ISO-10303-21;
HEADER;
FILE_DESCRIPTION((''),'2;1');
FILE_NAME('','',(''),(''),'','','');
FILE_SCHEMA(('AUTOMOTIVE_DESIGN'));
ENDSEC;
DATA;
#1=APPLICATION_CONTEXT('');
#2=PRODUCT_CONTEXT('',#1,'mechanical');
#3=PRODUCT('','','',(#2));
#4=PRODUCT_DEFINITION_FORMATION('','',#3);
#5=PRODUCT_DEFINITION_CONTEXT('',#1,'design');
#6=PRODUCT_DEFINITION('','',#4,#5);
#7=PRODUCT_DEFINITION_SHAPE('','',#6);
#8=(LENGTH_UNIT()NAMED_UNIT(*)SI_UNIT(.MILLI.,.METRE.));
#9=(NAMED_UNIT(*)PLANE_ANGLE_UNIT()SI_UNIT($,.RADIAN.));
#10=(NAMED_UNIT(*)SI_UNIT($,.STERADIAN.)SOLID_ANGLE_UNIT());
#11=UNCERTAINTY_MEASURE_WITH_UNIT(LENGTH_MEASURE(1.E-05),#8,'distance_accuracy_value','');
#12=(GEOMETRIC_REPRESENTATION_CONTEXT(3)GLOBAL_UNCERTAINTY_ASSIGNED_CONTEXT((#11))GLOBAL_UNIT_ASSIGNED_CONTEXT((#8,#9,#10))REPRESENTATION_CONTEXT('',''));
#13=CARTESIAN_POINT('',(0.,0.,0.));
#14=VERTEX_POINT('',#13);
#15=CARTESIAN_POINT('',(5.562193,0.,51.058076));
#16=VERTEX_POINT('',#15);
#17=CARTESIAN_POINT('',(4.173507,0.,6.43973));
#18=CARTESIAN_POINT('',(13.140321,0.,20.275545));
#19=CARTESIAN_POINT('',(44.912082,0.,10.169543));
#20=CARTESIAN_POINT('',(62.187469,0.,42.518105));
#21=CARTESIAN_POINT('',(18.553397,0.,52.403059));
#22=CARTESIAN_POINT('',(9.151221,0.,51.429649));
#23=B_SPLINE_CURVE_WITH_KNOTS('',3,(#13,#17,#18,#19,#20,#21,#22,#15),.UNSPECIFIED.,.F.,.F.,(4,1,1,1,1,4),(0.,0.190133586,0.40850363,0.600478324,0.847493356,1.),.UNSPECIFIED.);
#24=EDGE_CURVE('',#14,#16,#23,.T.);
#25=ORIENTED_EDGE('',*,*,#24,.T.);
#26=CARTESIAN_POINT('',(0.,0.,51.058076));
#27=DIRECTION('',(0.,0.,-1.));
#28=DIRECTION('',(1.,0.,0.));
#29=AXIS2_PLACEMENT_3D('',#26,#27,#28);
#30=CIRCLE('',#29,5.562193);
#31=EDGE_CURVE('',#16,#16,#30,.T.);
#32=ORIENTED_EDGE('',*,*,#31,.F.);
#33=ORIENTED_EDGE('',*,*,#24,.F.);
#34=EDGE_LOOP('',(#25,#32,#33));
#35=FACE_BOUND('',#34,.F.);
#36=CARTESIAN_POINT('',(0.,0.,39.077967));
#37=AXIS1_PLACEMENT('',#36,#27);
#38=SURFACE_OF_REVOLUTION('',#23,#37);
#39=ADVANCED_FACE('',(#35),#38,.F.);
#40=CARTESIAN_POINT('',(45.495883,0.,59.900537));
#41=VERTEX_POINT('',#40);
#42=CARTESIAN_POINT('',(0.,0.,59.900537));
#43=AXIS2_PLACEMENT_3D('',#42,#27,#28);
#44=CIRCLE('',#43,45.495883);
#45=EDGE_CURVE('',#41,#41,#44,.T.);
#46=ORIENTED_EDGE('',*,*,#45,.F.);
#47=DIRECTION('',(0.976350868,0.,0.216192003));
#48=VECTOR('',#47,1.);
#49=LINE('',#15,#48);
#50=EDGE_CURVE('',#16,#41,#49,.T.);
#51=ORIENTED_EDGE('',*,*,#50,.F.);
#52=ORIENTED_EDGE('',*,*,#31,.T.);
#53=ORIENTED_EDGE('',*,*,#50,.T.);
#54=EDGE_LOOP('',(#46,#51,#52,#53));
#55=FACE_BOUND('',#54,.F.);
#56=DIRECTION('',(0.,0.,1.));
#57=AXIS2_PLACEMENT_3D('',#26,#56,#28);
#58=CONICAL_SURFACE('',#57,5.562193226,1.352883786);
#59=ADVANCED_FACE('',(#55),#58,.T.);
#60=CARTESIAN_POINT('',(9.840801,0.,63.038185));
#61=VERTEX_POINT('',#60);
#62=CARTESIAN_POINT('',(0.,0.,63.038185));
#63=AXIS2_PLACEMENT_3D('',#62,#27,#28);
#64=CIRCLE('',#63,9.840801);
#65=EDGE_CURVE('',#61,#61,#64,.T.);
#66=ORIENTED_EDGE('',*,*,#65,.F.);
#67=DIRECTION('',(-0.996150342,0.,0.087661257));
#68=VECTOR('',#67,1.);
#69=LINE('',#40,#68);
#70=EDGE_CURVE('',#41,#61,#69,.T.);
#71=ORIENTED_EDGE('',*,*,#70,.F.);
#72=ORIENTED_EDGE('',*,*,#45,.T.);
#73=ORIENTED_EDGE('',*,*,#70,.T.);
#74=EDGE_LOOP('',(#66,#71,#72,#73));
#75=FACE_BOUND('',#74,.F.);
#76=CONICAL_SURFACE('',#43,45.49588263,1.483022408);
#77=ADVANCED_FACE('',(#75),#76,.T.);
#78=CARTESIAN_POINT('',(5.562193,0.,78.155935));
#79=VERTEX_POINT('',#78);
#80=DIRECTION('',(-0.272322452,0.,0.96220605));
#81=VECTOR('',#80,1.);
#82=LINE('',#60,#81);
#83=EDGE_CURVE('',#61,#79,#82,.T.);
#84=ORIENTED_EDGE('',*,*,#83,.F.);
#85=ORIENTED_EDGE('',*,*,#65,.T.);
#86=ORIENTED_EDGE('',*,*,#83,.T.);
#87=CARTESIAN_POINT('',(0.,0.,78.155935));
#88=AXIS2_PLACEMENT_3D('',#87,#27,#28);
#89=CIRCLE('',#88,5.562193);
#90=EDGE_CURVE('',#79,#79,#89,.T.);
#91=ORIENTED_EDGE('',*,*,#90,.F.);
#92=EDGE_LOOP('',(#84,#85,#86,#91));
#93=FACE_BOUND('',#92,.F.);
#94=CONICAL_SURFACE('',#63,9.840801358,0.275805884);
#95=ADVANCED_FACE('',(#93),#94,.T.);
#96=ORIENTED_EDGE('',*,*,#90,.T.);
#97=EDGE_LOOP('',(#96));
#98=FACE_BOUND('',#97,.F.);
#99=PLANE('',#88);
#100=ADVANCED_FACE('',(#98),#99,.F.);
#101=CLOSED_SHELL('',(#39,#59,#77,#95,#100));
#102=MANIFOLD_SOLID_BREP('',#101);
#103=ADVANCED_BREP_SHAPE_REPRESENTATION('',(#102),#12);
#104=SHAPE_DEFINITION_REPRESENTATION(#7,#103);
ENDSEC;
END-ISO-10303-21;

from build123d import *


with BuildPart() as f1:
    # F0 (on Front) → F1 (revolve)
    with BuildSketch(Plane.XZ):
        with BuildLine():
            Line((0, 78.1559348106), (0, 0))
            add(Edge.make_bspline(
                [(0, 0), (4.1735065026, 6.4397300284), (13.1403208072, 20.2755449004), (44.9120824859, 10.1695426259), (62.1874689221, 42.5181045927), (18.553396796, 52.4030593315), (9.1512207903, 51.429649369), (5.5621932261, 51.0580763221)],
                knots=[0, 0, 0, 0, 0.1901335855, 0.4085036295, 0.6004783243, 0.8474933563, 1, 1, 1, 1], degree=3))
            Line((5.5621932261, 51.0580763221), (45.4958826303, 59.9005371332))
            Line((45.4958826303, 59.9005371332), (9.8408013582, 63.0381852388))
            Line((9.8408013582, 63.0381852388), (5.5621932261, 78.1559348106))
            Line((5.5621932261, 78.1559348106), (0, 78.1559348106))
        make_face()
    revolve(axis=Axis((0, 0, 39.0779674053), (0, 0, -1)))


solid = f1.part
